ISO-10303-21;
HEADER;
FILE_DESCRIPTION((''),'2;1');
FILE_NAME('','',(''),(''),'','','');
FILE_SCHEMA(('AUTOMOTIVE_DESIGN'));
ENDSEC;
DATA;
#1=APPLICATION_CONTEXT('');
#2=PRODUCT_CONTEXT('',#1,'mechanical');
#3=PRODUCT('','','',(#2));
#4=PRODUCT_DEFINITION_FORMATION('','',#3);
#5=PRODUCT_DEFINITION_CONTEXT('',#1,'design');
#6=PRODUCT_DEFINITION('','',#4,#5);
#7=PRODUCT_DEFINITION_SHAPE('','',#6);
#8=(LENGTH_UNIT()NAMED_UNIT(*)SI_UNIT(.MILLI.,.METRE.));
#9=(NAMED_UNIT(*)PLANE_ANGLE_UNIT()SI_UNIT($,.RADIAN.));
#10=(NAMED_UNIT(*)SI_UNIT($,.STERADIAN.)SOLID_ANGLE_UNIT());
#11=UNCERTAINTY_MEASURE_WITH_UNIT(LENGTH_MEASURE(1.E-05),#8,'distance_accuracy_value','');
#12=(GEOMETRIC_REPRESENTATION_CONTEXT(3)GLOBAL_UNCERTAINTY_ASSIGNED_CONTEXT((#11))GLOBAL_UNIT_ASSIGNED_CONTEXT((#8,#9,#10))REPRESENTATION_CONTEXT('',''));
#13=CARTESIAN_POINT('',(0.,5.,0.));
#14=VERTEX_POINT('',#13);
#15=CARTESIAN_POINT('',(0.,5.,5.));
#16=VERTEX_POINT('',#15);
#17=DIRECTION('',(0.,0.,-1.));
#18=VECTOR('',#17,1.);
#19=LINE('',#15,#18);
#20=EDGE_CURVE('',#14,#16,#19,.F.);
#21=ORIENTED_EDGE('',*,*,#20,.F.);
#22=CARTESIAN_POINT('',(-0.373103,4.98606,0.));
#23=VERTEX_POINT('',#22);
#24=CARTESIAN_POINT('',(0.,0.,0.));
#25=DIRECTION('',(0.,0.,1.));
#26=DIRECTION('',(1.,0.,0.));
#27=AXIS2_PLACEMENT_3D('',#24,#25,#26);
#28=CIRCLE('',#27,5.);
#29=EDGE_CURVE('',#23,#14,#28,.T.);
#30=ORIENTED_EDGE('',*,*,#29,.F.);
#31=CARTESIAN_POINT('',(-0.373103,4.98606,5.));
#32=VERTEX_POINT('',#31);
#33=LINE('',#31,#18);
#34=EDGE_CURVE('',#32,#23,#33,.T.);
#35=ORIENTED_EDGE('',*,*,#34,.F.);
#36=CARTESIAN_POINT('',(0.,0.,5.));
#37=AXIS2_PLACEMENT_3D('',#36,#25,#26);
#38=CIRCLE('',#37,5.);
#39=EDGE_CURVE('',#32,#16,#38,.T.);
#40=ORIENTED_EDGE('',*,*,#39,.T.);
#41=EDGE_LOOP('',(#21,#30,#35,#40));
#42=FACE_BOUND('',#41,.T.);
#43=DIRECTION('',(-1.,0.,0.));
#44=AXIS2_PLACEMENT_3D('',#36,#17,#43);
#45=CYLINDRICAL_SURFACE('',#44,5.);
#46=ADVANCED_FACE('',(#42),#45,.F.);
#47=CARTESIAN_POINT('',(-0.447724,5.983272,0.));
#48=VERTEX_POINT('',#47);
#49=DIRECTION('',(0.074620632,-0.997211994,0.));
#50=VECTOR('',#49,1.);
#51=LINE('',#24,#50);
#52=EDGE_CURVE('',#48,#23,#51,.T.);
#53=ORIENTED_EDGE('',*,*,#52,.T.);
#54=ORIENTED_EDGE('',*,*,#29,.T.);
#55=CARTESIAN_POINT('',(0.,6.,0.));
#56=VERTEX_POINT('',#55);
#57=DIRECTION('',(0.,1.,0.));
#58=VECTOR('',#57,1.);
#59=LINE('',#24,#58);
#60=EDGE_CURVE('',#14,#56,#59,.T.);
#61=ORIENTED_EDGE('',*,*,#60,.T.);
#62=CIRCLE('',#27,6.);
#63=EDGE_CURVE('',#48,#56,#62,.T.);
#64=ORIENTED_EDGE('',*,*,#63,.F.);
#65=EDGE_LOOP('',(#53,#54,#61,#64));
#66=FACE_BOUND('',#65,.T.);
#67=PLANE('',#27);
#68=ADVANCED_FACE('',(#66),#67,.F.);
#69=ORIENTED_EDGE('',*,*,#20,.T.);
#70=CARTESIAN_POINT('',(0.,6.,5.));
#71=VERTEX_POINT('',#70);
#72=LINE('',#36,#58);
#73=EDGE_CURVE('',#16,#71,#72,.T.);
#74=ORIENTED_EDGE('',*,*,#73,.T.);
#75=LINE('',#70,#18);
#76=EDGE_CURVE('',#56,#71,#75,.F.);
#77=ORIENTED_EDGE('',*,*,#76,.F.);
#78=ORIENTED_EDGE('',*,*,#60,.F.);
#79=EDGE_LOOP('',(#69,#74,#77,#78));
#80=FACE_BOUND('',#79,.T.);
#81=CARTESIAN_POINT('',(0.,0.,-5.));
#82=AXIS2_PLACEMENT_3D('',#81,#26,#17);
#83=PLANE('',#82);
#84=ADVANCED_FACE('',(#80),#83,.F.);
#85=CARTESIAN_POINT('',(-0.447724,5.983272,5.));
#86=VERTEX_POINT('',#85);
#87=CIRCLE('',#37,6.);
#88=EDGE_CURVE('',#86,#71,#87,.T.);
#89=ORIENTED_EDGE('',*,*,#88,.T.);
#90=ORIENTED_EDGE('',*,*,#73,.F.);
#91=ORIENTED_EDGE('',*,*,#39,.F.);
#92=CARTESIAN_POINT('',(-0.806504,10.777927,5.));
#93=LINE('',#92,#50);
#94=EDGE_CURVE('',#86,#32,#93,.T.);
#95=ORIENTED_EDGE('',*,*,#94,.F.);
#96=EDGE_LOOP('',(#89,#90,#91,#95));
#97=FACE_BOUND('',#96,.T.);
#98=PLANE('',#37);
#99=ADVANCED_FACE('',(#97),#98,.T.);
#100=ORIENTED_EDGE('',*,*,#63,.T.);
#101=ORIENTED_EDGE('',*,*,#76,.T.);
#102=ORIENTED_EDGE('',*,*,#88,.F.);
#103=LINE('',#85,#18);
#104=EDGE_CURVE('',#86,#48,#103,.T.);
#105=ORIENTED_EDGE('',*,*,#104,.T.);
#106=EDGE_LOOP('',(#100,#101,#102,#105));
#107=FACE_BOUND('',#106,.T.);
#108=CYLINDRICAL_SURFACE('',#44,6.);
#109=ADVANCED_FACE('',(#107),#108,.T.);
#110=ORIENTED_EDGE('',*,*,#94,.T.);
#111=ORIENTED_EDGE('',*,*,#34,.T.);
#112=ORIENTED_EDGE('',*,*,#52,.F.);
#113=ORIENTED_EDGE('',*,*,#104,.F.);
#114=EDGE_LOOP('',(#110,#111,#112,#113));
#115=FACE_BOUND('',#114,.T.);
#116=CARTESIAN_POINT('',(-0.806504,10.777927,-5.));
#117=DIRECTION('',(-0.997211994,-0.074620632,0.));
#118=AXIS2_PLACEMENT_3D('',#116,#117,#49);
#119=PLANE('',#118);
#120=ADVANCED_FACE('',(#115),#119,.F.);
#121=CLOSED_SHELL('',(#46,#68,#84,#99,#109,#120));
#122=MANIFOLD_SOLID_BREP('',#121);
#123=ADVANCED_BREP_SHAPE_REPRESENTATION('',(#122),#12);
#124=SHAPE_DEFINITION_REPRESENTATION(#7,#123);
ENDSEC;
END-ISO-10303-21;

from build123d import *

# Parameters (mm, degrees)
SKETCH_1_R          = 6
SKETCH_1_R_2        = 5
EXTRUDE_1_DEPTH     = 5
CUT_EXTRUDE_1_DEPTH = 10


with BuildPart() as part:
    # 草图1 → 凸台-拉伸1 (new body)
    with BuildSketch(Plane.XY):
        Circle(SKETCH_1_R)
        Circle(SKETCH_1_R_2, mode=Mode.SUBTRACT)
    extrude(amount=EXTRUDE_1_DEPTH)

    # 草图2 → 切除-拉伸1 (cut)
    with BuildSketch(Plane.XY.offset(5)):
        Polygon((0, 0), (0, 10.777927296), (-0.806504289, 10.777927296), align=None)
    extrude(amount=-CUT_EXTRUDE_1_DEPTH, mode=Mode.SUBTRACT)


solid = part.part
